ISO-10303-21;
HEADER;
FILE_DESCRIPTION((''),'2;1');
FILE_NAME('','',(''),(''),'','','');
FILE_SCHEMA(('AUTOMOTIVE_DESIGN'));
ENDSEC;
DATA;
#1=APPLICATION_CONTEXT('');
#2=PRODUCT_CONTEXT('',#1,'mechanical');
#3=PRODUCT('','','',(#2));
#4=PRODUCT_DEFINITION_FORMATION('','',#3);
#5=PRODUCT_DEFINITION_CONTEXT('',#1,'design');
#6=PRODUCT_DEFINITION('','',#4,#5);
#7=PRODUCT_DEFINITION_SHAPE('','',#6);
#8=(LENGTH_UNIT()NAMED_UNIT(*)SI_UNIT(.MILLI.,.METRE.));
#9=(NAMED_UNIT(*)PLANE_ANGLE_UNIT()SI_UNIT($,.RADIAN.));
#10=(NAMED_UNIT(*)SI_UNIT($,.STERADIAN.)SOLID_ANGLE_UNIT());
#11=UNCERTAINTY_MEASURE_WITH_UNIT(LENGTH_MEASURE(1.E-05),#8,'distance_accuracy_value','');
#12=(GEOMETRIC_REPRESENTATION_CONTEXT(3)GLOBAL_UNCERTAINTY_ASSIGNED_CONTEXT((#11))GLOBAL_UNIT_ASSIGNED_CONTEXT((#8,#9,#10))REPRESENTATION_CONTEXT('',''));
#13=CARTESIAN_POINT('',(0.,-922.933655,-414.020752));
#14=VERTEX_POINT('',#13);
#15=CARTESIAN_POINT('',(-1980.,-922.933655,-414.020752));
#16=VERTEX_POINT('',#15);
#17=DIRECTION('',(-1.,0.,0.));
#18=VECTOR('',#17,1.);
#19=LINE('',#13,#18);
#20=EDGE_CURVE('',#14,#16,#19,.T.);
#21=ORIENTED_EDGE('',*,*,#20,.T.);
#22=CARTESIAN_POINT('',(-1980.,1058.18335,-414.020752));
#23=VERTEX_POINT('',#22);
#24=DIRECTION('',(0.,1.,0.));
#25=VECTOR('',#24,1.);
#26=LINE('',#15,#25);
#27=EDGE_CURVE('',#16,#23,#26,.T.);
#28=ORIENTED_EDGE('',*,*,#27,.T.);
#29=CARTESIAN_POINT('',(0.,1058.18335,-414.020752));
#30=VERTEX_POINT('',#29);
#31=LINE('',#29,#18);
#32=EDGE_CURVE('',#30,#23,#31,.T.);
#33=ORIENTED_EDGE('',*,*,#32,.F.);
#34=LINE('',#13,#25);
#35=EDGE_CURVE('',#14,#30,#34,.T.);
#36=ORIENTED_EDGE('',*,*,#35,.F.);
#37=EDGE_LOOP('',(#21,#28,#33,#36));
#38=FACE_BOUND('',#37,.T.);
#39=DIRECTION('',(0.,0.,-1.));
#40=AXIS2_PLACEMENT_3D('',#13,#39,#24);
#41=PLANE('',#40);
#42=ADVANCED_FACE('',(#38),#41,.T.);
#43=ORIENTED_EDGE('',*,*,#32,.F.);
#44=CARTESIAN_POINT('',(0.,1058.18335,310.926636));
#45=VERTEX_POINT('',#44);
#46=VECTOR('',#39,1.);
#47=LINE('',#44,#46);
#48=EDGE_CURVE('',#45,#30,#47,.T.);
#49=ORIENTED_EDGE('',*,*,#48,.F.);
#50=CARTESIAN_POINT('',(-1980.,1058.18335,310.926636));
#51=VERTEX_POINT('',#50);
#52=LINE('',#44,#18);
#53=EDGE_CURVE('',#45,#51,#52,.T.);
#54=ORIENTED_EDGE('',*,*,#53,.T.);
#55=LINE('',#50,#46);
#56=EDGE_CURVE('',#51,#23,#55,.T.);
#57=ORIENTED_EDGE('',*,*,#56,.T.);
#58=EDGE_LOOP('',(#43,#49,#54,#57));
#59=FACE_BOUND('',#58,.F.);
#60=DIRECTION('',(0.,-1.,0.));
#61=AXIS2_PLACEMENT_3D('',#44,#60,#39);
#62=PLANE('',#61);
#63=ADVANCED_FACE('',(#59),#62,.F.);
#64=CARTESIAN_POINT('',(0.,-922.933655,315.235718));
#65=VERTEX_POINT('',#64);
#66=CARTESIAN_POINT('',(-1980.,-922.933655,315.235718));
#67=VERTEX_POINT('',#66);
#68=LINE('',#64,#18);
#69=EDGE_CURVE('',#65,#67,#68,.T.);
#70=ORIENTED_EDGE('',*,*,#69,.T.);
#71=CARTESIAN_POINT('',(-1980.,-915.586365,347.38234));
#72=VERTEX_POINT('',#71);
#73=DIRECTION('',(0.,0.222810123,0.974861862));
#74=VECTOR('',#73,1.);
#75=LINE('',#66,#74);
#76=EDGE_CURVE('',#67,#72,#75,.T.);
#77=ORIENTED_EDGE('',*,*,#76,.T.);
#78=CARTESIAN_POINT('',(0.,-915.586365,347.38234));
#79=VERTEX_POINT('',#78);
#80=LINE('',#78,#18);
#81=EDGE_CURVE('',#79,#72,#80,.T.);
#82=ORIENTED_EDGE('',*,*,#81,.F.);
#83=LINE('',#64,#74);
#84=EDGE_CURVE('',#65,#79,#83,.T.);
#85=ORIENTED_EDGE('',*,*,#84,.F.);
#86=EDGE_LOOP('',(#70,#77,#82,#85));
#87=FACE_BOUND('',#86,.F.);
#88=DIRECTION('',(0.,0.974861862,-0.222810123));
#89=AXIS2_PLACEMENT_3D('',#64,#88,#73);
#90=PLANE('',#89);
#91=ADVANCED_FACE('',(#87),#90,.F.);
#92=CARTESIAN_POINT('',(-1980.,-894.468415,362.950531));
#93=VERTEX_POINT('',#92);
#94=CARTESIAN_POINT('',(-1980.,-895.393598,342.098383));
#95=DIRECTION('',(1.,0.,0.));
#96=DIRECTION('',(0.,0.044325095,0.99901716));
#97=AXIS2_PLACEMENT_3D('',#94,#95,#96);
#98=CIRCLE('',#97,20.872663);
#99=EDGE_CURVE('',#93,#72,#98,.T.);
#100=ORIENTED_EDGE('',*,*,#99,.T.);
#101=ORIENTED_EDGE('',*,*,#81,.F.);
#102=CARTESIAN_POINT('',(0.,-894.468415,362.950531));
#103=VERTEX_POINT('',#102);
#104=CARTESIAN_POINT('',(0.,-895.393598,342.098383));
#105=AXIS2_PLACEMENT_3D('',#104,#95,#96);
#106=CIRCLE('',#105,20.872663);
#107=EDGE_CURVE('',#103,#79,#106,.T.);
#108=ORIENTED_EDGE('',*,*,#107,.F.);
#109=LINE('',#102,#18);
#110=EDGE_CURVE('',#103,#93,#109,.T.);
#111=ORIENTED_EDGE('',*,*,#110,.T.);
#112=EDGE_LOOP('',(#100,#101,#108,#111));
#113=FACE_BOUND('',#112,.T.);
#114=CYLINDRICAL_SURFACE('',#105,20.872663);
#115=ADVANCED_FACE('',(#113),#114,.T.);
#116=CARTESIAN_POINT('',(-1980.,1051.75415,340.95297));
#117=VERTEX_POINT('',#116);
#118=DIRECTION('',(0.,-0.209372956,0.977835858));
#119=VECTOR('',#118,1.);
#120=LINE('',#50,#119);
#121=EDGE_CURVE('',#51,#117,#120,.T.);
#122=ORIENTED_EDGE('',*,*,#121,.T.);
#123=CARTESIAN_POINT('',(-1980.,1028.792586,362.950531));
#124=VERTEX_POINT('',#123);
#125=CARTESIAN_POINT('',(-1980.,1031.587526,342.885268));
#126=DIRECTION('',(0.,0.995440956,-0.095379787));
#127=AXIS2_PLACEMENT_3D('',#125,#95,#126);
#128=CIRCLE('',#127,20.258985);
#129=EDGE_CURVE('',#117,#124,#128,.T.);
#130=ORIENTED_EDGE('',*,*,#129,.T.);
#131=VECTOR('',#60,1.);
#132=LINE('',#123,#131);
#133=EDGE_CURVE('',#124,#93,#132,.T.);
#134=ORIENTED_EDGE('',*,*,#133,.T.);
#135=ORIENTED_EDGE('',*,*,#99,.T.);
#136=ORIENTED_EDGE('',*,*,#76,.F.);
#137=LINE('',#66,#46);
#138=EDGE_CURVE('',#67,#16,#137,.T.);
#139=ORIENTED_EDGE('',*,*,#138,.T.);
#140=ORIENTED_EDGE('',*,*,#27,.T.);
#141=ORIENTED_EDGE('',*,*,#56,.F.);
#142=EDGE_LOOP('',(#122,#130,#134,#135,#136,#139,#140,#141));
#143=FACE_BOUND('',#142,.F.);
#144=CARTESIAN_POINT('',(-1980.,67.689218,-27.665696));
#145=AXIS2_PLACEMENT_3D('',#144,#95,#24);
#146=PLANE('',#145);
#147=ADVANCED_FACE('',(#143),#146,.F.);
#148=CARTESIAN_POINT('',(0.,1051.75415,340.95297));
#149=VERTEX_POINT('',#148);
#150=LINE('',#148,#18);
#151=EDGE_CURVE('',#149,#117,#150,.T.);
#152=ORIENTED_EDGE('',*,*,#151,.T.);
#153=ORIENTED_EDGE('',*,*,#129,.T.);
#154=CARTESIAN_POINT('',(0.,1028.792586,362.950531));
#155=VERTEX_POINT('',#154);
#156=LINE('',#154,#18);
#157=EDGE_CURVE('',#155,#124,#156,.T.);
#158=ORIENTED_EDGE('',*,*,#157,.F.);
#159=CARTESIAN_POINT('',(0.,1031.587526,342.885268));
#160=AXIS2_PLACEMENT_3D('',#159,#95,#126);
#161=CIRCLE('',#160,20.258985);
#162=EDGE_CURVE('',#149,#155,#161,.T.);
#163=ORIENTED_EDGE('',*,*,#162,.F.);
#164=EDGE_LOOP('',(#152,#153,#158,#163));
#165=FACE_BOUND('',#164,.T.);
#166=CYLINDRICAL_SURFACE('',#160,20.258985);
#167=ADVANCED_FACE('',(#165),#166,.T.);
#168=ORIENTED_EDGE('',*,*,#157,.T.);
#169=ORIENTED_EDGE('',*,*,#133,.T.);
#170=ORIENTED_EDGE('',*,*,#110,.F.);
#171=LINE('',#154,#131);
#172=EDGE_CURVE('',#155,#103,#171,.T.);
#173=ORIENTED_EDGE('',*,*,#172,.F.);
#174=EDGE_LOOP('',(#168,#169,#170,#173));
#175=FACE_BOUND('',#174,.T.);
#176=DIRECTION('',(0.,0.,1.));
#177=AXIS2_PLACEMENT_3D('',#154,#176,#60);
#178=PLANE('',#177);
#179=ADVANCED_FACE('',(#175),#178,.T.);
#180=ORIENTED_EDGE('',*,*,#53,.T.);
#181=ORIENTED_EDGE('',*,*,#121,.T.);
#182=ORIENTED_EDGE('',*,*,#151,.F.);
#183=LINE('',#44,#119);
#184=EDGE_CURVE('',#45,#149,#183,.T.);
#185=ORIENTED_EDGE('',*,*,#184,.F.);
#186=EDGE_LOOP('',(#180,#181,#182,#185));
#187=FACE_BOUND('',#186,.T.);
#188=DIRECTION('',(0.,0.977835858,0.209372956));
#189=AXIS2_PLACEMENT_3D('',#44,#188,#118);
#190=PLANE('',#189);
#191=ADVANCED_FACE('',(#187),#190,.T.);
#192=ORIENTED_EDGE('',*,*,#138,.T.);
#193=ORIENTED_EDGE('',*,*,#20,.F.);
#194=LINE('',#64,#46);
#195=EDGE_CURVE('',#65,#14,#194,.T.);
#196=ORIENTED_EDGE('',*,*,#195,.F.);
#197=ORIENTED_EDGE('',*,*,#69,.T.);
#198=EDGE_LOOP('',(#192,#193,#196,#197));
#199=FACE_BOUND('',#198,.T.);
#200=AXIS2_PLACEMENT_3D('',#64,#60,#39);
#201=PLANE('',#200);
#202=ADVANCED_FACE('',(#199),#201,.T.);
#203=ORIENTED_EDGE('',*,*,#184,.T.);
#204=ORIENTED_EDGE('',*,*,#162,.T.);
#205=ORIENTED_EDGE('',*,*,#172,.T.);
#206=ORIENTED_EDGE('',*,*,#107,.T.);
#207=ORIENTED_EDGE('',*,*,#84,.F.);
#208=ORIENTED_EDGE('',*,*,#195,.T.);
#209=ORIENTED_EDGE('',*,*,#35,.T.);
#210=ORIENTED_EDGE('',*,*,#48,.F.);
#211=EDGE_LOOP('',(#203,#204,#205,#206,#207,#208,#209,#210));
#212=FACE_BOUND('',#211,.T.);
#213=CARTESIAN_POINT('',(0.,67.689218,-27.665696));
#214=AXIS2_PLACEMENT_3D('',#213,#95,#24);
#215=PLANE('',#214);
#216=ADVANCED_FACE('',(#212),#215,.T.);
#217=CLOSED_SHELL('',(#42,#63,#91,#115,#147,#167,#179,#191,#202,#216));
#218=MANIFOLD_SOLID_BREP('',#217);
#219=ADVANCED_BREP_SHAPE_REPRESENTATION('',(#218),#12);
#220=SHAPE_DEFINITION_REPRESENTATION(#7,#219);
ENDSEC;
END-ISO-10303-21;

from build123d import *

# Parameters (mm, degrees)
PAD_DEPTH = 1980


with BuildPart() as part:
    # Sketch → Pad (new body)
    with BuildSketch(Plane.YZ):
        with BuildLine():
            Line((1058.18335, 310.926636), (1051.75415, 340.95297))
            ThreePointArc((1051.75415, 340.95297), (1045.602412, 357.51433), (1028.792586, 362.950531))
            Line((1028.792586, 362.950531), (-894.468415, 362.950531))
            ThreePointArc((-894.468415, 362.950531), (-907.779158, 358.899155), (-915.586365, 347.38234))
            Line((-922.933655, 315.235718), (-915.586365, 347.38234))
            Line((-922.933655, 315.235718), (-922.933655, -414.020752))
            Line((166.359161, -414.020752), (-922.933655, -414.020752))
            Line((166.359161, -414.020752), (1058.18335, -414.020752))
            Line((1058.18335, 310.926636), (1058.18335, -414.020752))
        make_face()
    extrude(amount=-PAD_DEPTH)


solid = part.part
